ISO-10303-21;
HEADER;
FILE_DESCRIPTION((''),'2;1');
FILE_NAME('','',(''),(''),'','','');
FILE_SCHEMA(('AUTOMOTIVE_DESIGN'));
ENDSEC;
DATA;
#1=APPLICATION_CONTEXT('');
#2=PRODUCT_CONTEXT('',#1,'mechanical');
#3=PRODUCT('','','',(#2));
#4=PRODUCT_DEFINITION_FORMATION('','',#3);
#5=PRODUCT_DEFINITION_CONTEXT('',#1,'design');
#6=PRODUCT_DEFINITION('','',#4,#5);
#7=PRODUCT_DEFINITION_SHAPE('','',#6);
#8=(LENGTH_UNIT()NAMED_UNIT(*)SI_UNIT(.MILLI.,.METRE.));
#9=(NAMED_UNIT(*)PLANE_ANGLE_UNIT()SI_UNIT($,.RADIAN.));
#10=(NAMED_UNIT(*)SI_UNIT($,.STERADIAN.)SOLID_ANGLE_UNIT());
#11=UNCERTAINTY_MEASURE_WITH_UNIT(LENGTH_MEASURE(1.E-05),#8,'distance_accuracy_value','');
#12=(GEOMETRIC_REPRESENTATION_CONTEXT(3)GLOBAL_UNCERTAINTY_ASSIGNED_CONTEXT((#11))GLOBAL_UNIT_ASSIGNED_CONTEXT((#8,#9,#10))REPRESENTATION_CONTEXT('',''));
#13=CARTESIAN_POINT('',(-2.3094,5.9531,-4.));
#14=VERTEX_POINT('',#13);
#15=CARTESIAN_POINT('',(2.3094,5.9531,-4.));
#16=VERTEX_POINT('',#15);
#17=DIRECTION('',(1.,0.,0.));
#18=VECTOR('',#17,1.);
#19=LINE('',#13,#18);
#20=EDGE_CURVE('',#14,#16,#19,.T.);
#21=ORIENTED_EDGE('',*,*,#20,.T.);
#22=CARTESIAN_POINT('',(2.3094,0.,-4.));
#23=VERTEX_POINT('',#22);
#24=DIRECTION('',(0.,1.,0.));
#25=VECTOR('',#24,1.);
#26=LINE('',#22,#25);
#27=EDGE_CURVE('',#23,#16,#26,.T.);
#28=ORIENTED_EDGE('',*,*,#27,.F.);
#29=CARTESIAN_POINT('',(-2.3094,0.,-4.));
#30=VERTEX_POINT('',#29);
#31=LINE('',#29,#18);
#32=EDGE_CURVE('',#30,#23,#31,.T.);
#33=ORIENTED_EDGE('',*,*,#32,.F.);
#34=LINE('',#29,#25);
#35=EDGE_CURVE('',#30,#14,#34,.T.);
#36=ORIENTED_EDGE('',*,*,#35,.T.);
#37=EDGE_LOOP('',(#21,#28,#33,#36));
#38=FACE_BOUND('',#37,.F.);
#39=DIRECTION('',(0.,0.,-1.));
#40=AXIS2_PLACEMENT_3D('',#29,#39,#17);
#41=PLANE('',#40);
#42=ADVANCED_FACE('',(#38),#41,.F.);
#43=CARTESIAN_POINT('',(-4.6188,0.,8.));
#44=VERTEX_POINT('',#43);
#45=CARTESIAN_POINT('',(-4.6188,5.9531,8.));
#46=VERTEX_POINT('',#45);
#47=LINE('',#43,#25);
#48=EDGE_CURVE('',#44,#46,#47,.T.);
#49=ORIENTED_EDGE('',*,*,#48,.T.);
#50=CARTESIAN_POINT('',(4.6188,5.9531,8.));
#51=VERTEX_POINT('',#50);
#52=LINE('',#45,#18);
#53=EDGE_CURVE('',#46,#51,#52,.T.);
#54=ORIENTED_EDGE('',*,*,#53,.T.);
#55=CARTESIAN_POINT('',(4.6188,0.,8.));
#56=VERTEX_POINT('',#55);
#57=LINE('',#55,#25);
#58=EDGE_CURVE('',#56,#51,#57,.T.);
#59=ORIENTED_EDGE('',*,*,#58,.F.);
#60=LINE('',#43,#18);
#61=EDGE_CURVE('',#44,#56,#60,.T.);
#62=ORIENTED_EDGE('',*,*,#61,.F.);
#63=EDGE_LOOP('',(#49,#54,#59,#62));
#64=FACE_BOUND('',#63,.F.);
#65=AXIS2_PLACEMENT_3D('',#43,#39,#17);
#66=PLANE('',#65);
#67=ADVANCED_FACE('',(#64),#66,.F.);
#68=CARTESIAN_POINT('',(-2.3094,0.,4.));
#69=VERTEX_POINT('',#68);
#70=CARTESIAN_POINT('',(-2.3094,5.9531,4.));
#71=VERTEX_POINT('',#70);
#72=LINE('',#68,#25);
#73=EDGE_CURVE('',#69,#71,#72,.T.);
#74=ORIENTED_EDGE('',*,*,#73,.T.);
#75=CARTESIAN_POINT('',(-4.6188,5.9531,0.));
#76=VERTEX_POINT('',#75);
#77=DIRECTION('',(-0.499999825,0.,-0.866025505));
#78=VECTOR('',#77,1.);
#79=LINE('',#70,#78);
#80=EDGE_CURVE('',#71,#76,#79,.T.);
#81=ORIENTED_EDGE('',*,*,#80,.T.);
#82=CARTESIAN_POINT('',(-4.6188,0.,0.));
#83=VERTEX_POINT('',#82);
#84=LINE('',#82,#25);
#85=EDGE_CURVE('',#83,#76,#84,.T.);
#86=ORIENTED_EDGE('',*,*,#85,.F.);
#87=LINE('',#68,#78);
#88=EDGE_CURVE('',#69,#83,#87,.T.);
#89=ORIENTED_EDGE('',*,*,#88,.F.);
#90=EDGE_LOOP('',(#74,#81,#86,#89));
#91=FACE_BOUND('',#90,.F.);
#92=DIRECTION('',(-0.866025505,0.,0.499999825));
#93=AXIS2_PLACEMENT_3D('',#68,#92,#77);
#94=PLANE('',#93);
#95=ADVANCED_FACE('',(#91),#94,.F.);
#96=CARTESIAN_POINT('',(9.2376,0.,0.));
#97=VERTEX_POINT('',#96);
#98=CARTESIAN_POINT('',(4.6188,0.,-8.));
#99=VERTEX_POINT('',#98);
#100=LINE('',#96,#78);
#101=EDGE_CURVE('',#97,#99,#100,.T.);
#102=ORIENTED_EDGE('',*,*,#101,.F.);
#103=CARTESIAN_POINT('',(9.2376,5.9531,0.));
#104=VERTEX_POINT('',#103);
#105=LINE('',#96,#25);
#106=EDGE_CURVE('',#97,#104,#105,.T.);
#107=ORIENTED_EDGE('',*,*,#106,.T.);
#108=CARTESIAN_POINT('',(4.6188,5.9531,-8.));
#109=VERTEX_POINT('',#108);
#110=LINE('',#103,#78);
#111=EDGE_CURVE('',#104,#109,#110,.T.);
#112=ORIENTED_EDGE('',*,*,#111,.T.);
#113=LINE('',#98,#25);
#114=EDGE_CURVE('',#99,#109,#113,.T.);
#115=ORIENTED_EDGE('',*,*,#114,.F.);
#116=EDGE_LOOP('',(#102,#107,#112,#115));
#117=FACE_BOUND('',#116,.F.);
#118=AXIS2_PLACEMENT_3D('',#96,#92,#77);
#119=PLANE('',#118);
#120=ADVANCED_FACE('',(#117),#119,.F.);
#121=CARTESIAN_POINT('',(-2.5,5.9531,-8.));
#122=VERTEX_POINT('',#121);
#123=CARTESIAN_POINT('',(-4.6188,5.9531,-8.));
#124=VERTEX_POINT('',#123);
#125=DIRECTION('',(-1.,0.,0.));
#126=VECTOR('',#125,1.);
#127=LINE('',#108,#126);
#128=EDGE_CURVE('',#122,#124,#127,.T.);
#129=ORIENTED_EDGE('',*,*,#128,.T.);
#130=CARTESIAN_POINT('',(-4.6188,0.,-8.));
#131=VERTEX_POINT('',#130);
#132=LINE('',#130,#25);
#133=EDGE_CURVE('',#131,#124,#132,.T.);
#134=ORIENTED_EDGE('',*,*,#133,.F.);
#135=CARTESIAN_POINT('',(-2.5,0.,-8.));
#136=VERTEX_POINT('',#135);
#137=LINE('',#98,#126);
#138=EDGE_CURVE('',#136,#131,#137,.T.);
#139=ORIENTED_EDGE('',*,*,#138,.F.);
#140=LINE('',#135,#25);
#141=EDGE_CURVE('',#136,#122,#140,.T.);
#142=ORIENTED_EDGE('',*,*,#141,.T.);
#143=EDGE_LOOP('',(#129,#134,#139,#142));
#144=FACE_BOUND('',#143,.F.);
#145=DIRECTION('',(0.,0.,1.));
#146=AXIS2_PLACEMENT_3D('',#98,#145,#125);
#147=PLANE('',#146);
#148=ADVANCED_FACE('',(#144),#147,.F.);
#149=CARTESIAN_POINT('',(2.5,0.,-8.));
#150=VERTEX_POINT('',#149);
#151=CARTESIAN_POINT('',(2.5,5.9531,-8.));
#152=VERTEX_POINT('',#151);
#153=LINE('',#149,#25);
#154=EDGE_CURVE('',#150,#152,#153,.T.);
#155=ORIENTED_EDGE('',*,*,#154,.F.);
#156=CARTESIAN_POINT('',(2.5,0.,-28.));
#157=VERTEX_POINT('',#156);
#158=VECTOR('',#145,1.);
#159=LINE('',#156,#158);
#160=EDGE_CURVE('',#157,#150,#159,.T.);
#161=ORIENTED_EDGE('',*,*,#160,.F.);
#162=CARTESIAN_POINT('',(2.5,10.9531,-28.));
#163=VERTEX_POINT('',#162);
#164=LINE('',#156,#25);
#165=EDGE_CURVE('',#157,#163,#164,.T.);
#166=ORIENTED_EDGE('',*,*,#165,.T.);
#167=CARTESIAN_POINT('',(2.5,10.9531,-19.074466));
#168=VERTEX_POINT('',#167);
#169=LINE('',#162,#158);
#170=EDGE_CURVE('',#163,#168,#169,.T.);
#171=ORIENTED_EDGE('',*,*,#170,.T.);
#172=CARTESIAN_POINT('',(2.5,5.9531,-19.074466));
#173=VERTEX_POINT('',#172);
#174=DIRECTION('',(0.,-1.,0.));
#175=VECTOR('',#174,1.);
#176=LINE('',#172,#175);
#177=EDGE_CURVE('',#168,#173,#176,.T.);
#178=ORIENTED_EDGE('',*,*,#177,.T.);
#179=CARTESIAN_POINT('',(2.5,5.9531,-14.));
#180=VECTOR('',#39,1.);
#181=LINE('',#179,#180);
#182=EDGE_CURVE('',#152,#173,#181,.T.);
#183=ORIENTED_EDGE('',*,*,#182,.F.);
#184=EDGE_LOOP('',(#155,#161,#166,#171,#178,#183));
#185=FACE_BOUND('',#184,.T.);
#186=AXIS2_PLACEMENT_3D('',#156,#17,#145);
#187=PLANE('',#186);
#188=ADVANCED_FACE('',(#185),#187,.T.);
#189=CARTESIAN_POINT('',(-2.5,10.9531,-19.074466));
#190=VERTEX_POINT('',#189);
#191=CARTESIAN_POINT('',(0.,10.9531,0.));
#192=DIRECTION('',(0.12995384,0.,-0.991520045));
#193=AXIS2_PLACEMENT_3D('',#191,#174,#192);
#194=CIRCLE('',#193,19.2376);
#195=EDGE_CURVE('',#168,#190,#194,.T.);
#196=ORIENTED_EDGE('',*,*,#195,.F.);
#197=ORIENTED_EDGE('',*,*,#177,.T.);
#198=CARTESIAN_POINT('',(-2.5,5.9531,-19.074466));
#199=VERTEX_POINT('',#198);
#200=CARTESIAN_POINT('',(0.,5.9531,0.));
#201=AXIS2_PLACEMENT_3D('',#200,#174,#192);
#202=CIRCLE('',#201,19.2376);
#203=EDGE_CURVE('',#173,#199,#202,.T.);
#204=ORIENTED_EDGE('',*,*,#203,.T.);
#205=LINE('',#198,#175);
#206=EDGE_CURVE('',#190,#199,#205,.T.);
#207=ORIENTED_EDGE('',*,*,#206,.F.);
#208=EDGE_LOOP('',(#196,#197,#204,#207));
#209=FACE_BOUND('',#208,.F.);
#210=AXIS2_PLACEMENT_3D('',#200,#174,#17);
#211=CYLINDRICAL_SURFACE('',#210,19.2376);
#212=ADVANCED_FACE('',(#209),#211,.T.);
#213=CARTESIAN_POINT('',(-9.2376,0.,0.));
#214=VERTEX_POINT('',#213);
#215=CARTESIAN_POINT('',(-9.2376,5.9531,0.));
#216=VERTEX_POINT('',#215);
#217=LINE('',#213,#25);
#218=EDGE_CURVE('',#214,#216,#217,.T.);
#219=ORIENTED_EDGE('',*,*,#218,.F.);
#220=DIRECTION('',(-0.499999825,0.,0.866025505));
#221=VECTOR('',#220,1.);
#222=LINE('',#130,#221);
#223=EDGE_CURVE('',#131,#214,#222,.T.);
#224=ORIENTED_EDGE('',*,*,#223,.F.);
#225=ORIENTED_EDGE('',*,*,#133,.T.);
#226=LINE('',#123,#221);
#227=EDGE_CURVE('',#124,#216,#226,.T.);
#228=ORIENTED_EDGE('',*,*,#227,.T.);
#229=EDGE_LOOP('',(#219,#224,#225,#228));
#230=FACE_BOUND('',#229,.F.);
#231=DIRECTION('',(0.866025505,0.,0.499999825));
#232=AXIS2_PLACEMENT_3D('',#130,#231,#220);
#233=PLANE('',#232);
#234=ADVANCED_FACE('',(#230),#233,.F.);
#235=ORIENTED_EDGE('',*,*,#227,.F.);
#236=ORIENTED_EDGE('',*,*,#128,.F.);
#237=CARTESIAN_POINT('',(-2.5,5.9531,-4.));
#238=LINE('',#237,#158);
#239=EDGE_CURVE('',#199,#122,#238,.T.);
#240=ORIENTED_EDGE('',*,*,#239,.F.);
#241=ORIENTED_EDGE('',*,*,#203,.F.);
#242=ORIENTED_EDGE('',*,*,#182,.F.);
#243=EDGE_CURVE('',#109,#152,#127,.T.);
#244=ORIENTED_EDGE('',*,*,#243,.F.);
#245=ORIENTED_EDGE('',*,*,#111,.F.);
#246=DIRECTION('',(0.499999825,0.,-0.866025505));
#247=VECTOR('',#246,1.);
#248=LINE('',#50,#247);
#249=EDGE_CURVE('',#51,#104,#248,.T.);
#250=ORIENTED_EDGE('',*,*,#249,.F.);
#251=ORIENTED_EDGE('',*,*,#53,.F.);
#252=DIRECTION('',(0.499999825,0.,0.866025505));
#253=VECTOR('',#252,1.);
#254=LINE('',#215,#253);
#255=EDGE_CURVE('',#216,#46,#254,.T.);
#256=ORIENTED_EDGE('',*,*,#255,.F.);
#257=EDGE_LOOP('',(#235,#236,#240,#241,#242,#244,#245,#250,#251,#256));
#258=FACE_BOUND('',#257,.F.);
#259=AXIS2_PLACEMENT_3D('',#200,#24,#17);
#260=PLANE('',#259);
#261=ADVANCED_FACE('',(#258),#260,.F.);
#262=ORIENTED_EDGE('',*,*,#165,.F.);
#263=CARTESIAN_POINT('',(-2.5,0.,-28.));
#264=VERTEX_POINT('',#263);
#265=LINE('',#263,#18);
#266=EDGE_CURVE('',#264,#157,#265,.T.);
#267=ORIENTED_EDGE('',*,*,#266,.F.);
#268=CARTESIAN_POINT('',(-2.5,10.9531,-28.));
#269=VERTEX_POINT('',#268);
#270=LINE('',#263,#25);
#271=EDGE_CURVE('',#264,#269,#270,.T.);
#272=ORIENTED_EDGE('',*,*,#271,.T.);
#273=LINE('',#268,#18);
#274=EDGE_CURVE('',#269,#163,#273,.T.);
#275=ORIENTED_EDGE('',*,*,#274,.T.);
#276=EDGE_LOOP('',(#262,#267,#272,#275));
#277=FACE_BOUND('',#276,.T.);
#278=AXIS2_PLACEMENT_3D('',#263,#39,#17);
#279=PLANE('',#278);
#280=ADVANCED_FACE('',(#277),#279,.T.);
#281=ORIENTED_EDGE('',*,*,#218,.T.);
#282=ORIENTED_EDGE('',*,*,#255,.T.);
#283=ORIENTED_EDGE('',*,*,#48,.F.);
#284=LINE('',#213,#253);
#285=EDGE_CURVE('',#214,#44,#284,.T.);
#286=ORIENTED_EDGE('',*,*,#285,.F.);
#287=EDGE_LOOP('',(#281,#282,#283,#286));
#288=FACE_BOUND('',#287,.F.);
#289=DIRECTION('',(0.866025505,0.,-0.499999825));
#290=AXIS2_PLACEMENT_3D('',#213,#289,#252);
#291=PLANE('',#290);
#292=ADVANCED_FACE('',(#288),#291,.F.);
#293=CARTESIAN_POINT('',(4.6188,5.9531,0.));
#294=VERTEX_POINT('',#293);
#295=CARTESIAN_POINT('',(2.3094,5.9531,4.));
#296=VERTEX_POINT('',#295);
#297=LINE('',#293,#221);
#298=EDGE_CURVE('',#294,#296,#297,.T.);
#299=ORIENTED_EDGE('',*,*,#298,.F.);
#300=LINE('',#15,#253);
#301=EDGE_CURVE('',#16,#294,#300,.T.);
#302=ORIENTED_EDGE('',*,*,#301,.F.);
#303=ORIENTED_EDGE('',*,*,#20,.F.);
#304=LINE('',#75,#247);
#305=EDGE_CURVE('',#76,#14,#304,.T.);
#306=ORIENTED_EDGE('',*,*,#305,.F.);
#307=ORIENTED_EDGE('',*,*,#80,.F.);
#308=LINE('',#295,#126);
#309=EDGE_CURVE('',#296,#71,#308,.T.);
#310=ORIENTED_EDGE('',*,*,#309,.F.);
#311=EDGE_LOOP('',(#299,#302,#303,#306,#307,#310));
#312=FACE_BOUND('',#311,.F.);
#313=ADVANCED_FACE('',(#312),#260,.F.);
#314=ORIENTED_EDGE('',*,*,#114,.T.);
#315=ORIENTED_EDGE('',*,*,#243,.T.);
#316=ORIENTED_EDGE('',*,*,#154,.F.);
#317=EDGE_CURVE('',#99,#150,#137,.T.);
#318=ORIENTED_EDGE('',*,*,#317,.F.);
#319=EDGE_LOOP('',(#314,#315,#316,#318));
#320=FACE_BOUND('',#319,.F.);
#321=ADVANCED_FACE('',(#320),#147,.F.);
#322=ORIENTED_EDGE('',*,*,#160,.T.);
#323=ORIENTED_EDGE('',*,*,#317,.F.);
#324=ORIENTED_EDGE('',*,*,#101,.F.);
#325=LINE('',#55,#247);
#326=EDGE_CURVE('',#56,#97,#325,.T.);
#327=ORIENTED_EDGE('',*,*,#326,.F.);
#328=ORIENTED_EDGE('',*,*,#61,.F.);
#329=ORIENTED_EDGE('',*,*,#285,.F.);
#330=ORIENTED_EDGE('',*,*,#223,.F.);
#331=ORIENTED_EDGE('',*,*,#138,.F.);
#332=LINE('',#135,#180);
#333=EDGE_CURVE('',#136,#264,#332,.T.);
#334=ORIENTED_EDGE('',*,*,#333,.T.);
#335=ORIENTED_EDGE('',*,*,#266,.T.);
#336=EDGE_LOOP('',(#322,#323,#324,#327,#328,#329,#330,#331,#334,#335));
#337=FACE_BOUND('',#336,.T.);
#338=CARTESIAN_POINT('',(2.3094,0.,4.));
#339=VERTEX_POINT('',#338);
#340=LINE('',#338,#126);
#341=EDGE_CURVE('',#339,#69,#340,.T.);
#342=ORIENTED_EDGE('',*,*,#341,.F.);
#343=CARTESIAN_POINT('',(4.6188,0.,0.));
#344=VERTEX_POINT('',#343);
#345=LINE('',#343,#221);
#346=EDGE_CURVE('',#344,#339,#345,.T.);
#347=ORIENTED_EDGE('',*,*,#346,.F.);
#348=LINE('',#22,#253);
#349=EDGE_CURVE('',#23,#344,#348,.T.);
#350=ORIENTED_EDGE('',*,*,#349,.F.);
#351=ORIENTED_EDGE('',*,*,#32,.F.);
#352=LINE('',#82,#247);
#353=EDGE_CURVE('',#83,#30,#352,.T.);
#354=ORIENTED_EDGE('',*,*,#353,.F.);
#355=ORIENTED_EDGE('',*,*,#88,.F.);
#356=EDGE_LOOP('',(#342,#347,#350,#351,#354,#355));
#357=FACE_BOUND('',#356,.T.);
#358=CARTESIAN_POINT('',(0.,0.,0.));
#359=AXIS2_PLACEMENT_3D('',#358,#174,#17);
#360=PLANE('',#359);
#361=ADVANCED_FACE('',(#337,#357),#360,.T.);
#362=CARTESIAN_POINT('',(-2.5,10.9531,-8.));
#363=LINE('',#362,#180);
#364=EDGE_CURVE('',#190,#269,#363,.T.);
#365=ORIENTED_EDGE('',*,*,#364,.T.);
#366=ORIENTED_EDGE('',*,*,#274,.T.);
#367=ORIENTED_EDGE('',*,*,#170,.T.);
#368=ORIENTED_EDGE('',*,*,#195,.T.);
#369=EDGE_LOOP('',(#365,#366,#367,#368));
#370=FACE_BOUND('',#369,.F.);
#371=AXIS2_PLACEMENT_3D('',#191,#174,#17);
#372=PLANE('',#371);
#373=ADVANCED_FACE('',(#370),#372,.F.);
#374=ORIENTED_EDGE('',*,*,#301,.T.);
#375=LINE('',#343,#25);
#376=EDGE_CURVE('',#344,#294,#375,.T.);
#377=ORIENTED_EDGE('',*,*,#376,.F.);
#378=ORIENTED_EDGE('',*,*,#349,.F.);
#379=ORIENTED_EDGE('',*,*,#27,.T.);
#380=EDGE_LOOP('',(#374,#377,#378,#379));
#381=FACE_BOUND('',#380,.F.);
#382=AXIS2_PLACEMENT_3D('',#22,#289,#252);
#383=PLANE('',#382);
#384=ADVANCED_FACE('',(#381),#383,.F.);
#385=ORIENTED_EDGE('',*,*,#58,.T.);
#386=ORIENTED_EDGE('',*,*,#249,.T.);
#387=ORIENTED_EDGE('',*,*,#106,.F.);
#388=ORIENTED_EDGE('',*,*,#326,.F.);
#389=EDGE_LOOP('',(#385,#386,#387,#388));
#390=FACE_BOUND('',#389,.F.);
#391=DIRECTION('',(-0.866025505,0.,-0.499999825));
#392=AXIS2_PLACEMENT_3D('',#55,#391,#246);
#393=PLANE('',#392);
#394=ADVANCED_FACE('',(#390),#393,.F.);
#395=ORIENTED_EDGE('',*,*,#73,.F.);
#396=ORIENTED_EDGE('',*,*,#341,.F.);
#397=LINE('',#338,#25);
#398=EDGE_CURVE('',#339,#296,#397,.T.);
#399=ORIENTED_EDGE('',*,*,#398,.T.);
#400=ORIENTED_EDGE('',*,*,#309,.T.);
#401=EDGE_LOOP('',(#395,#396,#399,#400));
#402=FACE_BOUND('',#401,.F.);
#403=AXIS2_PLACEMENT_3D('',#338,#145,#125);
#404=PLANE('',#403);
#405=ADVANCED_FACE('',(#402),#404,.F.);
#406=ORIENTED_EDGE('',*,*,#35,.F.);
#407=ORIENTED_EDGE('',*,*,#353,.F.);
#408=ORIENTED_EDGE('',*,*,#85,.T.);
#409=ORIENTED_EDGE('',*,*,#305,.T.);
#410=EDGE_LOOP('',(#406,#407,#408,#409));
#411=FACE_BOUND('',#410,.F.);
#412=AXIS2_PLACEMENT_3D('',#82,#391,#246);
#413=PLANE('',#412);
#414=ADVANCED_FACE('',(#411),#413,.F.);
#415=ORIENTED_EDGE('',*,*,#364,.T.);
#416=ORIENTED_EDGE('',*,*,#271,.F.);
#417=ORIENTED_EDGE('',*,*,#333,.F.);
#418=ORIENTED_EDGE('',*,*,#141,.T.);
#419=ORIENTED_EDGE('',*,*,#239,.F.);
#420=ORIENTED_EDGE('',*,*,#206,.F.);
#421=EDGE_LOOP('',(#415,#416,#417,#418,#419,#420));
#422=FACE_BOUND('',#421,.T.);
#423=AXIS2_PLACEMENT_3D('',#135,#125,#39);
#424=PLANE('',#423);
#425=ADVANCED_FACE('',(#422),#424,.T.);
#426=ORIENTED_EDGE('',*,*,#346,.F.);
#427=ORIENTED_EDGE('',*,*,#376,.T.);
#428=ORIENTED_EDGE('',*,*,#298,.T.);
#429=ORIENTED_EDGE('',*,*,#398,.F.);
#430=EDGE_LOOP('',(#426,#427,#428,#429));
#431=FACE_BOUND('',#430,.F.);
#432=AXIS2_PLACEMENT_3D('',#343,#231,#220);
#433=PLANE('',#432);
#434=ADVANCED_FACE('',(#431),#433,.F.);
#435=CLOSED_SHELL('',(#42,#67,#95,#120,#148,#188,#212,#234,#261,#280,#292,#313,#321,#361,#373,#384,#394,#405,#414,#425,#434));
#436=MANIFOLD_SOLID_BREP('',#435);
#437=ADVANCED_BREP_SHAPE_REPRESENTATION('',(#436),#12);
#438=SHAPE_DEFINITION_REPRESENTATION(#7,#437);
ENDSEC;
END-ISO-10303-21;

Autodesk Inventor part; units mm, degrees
ref_plane "YZ Plane" through (0, 0, 0) normal (1, 0, 0) x (0, 1, 0)
ref_plane "XZ Plane" through (0, 0, 0) normal (0, 1, 0) x (-1, 0, 0)
ref_plane "XY Plane" through (0, 0, 0) normal (0, 0, 1) x (1, 0, 0)
sketch "Sketch1" plane through (0, 0, 0) normal (0, 1, 0) x (-1, 0, 0)
  line L0 (2.3094, 4) -> (4.6188, 0)
  line L1 (4.6188, 0) -> (2.3094, -4)
  line L2 (2.3094, -4) -> (-2.3094, -4)
  line L3 (-2.3094, -4) -> (-4.6188, 0)
  line L4 (-4.6188, 0) -> (-2.3094, 4)
  line L5 (-2.3094, 4) -> (2.3094, 4)
  line L6 (4.6188, -8) -> (9.2376, 0)
  line L7 (9.2376, 0) -> (4.6188, 8)
  line L8 (4.6188, 8) -> (-4.6188, 8)
  line L9 (-4.6188, 8) -> (-9.2376, 0)
  line L10 (-9.2376, 0) -> (-4.6188, -8)
  line L11 (-4.6188, -8) -> (4.6188, -8)
  point P0 (0, 0)
  point P1 (0, 0)
  dimension "d1" = 8
  dimension "d2" = 4
extrude "Extrusion1" add sketch "Sketch1" along normal blind 5.9531
sketch "Sketch2" plane through (0, 5.9531, 0) normal (0, 1, 0) x (1, 0, 0)
  circle A0 centre (0, 0) radius 19.2376
  line L0 (4.6188, -8) -> (9.2376, 0) projected
  circle A1 centre (0, 0) radius 9.2376
  dimension "d5" = 10
extrude "Extrusion2" add sketch "Sketch2" along normal blind 5 contours A0 | A1 L0 | L0 A1
sketch "Sketch3" plane through (0, 0, 0) normal (0, -1, 0) x (1, 0, 0)
  line L0 (4.6188, -8) -> (-4.6188, -8) projected
  line L1 (0, -8) -> (2.5, -8)
  line L2 (0, -8) -> (-2.5, -8)
  line L3 (2.5, -8) -> (-2.5, -8)
  line L4 (-2.5, -8) -> (-2.5, -28)
  line L5 (-2.5, -28) -> (2.5, -28)
  line L6 (2.5, -28) -> (2.5, -8)
  point P0 (0, 0)
  dimension "d8" = 2.5
  dimension "d9" = 2.5
  dimension "d10" = 20
extrude "Extrusion3" add sketch "Sketch3" against normal up to surface (10.9531 mm away)
properties part number "wingnut"
